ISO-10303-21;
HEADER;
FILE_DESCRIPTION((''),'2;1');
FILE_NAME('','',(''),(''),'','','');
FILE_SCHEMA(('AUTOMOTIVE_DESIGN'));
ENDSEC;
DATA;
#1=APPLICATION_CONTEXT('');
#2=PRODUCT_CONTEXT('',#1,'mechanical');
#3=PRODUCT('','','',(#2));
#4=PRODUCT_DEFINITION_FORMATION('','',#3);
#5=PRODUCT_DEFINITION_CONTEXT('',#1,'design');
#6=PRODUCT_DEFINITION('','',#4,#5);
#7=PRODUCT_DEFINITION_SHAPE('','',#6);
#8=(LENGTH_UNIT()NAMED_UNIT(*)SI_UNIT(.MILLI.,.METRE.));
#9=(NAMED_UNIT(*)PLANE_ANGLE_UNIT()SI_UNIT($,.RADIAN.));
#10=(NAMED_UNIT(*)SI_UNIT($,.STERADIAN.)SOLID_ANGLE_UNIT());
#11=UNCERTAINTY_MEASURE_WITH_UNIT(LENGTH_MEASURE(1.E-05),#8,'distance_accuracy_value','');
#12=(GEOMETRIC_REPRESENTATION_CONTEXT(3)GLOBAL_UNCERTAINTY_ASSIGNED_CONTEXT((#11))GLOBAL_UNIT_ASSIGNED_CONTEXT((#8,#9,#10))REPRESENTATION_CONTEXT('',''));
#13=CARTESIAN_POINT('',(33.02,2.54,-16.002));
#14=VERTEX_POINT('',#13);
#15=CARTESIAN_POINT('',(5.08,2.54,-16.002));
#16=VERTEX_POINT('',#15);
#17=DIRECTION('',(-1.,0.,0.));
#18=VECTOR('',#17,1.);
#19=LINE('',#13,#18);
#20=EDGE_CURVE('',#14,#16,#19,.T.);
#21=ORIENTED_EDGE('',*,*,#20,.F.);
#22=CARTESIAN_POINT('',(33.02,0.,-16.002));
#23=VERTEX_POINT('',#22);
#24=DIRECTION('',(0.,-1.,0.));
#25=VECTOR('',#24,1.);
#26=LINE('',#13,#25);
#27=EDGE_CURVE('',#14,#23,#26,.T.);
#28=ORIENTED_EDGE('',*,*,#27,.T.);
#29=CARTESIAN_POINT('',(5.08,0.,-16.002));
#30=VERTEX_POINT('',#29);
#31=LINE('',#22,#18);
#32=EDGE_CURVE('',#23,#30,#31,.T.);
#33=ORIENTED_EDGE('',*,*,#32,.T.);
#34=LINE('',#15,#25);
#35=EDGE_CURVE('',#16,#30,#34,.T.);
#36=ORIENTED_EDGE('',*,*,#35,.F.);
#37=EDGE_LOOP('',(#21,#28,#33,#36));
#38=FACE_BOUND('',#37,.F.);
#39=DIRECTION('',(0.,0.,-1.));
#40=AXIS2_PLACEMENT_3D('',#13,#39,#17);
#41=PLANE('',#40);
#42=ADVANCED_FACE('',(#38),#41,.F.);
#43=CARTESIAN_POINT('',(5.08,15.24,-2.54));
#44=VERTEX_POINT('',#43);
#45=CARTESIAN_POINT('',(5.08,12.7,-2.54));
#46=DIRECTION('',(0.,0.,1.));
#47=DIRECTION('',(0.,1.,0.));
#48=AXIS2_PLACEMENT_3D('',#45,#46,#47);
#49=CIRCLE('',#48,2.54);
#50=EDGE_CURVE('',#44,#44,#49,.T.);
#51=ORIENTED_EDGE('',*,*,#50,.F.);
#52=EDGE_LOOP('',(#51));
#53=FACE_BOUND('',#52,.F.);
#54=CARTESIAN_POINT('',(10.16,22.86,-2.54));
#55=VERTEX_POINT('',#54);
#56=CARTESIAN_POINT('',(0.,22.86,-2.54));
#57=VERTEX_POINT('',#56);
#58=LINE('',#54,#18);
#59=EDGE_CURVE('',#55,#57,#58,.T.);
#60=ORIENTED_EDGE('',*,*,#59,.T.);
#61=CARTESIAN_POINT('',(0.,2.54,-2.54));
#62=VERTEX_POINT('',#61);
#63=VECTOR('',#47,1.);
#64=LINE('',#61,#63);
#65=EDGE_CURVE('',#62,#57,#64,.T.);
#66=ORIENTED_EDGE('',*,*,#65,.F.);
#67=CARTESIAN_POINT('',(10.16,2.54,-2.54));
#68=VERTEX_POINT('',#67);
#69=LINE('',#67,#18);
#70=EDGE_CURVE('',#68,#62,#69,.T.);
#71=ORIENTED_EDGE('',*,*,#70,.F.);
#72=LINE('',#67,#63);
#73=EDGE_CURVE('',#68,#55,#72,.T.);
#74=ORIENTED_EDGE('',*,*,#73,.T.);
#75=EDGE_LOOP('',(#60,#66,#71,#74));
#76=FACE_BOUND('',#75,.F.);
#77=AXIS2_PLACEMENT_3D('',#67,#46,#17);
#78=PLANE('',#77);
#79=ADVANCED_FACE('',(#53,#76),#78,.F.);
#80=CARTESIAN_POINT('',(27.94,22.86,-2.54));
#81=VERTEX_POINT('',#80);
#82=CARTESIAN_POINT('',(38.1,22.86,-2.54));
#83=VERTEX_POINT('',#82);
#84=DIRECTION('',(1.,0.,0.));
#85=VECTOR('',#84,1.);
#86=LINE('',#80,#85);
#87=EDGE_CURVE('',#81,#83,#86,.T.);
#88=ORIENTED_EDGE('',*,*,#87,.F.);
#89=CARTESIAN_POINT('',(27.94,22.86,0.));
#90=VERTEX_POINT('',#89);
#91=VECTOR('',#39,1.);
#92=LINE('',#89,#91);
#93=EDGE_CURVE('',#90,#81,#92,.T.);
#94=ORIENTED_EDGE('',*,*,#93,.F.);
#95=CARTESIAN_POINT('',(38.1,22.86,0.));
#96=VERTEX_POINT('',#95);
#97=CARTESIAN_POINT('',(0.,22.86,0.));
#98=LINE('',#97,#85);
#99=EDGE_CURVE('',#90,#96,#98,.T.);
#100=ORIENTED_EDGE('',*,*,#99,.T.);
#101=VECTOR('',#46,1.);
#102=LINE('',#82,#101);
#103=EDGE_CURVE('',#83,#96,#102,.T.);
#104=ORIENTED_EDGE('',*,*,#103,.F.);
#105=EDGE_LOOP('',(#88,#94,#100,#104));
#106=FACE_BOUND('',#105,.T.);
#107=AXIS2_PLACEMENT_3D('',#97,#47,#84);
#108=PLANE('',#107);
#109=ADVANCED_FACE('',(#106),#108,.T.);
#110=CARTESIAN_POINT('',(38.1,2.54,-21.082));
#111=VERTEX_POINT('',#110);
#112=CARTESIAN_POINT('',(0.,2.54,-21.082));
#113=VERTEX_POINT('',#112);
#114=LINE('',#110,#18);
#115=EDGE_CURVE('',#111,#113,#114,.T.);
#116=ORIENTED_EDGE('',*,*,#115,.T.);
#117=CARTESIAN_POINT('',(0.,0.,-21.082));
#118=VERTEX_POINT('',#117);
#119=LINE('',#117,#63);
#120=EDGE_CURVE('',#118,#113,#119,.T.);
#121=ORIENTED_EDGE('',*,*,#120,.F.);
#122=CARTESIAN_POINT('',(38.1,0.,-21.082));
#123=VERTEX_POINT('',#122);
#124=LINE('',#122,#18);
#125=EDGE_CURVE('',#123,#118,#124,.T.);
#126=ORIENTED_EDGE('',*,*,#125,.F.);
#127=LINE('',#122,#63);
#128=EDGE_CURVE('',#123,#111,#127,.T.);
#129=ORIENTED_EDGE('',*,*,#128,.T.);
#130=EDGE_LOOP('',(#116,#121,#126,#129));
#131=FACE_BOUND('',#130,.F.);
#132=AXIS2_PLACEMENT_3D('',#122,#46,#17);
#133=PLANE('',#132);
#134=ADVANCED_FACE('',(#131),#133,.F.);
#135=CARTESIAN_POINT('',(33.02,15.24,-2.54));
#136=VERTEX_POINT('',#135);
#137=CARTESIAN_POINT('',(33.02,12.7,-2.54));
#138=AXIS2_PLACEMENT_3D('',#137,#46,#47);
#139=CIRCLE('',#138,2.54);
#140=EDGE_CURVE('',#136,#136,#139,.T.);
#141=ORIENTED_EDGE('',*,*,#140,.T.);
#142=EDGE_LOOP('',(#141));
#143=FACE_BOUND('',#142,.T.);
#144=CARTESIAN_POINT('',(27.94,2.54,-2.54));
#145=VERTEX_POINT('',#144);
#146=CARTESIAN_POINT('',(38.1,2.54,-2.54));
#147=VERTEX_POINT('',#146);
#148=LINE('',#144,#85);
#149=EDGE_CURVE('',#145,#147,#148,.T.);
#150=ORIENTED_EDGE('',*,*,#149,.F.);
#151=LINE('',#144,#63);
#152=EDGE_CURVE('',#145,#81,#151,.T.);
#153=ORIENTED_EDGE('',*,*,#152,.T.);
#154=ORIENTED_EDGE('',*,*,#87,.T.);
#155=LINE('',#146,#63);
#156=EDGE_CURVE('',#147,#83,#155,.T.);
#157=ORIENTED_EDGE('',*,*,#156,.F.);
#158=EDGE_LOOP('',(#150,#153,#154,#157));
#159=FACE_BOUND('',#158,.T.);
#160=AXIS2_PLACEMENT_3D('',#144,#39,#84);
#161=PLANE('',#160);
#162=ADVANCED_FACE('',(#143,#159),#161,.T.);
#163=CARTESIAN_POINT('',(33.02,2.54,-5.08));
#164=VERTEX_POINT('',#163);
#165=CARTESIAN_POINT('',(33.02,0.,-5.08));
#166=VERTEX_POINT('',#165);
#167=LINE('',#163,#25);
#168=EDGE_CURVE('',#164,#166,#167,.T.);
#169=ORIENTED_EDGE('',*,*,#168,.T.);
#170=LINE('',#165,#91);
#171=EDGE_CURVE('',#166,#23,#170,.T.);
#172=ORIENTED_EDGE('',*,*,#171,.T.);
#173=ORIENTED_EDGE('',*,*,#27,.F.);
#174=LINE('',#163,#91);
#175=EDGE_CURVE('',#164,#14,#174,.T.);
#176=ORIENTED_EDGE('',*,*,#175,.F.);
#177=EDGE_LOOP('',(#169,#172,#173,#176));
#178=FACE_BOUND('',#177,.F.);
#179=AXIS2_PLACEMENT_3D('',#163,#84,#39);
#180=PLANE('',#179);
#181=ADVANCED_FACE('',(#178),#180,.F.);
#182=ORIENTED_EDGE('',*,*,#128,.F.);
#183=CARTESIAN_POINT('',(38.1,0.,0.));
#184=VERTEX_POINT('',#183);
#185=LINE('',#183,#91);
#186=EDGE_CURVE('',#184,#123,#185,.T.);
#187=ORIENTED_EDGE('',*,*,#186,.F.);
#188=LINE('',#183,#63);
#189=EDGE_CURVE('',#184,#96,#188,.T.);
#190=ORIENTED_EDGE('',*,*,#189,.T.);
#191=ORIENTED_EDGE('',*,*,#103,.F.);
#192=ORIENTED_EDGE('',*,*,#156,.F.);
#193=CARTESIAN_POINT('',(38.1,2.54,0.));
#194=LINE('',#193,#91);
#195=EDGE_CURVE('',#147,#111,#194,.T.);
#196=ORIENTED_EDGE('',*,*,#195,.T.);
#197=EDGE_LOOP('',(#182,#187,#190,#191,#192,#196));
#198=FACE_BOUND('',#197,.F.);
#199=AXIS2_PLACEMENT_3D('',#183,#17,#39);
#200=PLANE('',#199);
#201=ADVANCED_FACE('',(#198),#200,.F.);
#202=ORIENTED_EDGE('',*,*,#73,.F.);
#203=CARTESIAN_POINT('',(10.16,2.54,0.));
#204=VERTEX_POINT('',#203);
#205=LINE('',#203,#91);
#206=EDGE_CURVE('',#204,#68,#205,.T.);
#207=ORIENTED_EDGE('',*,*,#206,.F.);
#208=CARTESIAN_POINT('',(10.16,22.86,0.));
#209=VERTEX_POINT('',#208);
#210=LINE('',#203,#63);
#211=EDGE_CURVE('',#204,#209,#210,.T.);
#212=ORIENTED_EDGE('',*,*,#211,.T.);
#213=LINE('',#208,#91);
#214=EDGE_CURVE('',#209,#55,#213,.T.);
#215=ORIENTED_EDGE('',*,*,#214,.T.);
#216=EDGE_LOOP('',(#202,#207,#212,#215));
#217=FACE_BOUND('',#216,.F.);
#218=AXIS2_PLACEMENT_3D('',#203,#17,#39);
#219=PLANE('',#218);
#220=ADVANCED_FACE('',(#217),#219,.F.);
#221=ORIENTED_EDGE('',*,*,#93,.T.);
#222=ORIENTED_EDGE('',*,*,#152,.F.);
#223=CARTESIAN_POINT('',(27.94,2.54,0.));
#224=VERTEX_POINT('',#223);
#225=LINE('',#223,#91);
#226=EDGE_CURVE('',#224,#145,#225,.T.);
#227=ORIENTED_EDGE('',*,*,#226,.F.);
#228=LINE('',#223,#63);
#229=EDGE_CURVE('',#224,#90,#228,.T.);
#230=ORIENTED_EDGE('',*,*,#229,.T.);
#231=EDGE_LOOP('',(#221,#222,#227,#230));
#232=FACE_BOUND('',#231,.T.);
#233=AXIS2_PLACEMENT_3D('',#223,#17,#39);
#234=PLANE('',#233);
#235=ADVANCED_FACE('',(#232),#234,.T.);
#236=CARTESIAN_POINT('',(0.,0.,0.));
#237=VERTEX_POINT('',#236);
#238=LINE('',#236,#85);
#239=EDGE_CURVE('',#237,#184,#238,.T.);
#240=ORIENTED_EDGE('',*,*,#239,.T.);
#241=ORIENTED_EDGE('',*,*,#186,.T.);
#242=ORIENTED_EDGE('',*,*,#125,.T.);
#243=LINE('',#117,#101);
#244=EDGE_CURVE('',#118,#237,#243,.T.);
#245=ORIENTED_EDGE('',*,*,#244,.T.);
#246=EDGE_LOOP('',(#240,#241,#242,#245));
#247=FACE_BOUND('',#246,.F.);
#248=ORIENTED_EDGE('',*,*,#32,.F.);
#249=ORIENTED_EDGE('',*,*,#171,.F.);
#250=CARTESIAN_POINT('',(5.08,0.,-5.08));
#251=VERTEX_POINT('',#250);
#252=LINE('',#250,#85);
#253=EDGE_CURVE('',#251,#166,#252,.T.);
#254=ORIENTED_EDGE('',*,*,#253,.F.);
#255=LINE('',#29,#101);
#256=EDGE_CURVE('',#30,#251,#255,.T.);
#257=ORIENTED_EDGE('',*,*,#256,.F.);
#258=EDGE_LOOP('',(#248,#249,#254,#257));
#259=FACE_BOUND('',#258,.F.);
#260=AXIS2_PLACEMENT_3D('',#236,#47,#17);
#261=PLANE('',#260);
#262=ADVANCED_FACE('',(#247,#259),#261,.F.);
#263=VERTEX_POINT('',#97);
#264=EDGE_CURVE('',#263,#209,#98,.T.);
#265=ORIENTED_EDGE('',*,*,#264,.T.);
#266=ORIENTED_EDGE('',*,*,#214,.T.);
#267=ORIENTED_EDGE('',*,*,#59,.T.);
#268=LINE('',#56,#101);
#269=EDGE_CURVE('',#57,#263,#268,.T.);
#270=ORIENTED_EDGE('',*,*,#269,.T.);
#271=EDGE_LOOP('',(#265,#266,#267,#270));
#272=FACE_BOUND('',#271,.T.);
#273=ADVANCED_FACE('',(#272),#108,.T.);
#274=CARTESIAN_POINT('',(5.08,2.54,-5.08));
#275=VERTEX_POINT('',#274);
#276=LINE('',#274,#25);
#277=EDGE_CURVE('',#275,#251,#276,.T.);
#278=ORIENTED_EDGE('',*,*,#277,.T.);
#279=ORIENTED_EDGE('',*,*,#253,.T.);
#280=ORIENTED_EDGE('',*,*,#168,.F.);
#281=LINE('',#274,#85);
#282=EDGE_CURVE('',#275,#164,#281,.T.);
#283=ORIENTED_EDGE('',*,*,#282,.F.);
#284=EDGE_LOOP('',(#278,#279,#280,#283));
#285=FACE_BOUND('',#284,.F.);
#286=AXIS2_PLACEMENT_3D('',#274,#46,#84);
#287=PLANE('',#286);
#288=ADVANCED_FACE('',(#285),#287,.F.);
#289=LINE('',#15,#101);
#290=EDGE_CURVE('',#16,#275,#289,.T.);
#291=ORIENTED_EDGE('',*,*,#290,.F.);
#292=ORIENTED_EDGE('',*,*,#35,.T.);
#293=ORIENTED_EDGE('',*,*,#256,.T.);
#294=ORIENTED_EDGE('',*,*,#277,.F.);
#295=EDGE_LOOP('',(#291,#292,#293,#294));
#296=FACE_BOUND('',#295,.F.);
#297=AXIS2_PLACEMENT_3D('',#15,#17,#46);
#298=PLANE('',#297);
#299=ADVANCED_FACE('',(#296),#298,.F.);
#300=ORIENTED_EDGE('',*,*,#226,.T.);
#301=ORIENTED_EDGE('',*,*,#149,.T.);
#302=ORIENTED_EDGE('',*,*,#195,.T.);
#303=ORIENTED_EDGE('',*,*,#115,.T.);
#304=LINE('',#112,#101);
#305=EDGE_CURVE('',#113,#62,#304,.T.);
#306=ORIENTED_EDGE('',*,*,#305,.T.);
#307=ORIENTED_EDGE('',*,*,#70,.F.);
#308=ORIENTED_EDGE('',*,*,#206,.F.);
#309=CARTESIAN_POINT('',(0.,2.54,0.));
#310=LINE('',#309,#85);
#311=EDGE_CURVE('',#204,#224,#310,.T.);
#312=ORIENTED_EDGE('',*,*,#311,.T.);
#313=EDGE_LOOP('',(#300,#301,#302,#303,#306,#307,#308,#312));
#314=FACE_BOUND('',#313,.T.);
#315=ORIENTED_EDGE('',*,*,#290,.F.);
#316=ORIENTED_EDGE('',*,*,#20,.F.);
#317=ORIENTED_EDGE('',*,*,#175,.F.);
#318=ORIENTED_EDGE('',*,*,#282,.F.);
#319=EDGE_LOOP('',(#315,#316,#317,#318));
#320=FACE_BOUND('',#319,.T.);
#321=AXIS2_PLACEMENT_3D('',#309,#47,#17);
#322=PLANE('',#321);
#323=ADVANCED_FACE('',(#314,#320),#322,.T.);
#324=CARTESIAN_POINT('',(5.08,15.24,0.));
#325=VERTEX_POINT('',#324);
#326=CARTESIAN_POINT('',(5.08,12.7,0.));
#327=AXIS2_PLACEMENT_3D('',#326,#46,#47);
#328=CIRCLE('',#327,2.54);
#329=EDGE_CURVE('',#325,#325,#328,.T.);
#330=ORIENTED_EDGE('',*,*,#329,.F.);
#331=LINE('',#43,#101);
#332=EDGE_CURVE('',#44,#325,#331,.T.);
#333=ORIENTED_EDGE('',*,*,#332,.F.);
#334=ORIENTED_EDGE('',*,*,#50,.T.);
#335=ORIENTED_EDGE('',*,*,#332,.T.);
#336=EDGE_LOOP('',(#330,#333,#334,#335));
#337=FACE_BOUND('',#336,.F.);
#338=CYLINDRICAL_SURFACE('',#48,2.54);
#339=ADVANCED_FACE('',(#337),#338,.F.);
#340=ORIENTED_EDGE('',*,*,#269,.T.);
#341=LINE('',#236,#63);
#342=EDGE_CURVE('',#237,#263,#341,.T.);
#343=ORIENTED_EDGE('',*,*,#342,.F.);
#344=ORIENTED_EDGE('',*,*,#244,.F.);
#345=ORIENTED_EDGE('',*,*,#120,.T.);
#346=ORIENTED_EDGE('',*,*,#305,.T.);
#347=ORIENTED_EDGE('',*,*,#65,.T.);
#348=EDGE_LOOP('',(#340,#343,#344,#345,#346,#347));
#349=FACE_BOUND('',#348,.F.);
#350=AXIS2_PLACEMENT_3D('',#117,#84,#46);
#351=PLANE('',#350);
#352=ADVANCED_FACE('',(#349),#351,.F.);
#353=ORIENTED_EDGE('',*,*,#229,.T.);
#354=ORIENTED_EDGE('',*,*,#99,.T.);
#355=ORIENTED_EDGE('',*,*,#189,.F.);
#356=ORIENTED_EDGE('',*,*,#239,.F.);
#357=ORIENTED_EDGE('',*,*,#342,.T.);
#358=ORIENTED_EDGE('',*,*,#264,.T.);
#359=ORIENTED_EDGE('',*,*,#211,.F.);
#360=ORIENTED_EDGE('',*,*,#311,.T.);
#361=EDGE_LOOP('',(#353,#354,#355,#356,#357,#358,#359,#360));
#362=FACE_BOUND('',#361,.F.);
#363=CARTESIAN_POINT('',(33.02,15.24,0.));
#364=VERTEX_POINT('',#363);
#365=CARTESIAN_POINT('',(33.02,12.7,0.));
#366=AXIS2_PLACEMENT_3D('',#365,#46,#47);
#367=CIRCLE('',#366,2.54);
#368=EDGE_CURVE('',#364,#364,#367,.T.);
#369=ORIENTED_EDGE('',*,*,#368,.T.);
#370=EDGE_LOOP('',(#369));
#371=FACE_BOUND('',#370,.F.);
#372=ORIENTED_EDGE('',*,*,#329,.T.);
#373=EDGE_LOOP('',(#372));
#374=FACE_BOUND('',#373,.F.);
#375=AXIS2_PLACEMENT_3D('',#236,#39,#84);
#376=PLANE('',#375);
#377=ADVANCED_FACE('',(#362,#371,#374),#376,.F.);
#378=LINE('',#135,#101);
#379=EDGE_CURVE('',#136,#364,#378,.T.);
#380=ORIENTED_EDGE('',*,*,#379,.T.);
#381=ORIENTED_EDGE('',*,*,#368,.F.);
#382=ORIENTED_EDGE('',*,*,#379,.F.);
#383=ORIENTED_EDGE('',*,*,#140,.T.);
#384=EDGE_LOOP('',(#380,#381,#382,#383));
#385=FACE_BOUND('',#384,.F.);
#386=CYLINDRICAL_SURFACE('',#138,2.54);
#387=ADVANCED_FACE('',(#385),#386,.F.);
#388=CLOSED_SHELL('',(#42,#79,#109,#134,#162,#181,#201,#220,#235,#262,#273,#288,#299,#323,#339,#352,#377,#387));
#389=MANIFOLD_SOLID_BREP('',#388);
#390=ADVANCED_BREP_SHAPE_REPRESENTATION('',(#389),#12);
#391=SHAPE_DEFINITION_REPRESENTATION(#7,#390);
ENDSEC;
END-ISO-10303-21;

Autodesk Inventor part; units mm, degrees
ref_plane "YZ Plane" through (0, 0, 0) normal (1, 0, 0) x (0, 1, 0)
ref_plane "XZ Plane" through (0, 0, 0) normal (0, 1, 0) x (-1, 0, 0)
ref_plane "XY Plane" through (0, 0, 0) normal (0, 0, 1) x (1, 0, 0)
sketch "Sketch1" plane through (0, 0, 0) normal (0, 1, 0) x (-1, 0, 0)
  point P0 (0, 0)
sketch "Sketch2" plane through (0, 0, 0) normal (0, 1, 0) x (-1, 0, 0)
  line L0 (0, 0) -> (-38.1, 0)
  line L1 (-38.1, 0) -> (-38.1, -21.082)
  line L2 (-38.1, -21.082) -> (0, -21.082)
  line L3 (0, -21.082) -> (0, 0)
  dimension "d0" = 38.1
  dimension "d1" = 21.082
extrude "Extrusion1" add sketch "Sketch2" along normal blind 2.54
sketch "Sketch3" plane through (0, 2.54, 0) normal (0, 1, 0) x (1, 0, 0)
  line L0 (0, 0) -> (5.08, 0)
  line L1 (5.08, 0) -> (5.08, 5.08)
  line L2 (5.08, 5.08) -> (0, 5.08)
  line L3 (0, 5.08) -> (0, 0)
  line L4 (38.1, 0) -> (38.1, 21.082) projected
  line L5 (38.1, 21.082) -> (33.02, 21.082)
  line L6 (33.02, 21.082) -> (33.02, 16.002)
  line L7 (33.02, 16.002) -> (38.1, 16.002)
  line L8 (38.1, 16.002) -> (38.1, 21.082)
  line L9 (5.08, 5.08) -> (33.02, 5.08)
  line L10 (33.02, 5.08) -> (33.02, 16.002)
  line L11 (33.02, 16.002) -> (5.08, 16.002)
  line L12 (5.08, 16.002) -> (5.08, 5.08)
  dimension "d4" = 5.08
  dimension "d5" = 5.08
  dimension "d6" = 5.08
  dimension "d7" = 5.08
extrude "Extrusion2" cut sketch "Sketch3" against normal blind 2.54 contours L12 L11 L10 L9
sketch "Sketch4" plane through (0, 2.54, 0) normal (0, 1, 0) x (1, 0, 0)
  line L0 (0, 0) -> (38.1, 0) projected
  line L1 (0, 0) -> (10.16, 0)
  line L2 (10.16, 0) -> (10.16, 2.54)
  line L3 (10.16, 2.54) -> (0, 2.54)
  line L4 (0, 2.54) -> (0, 0)
  line L5 (38.1, 0) -> (27.94, 0)
  line L6 (27.94, 0) -> (27.94, 2.54)
  line L7 (27.94, 2.54) -> (38.1, 2.54)
  line L8 (38.1, 2.54) -> (38.1, 0)
  dimension "d10" = 10.16
  dimension "d11" = 2.54
  dimension "d12" = 10.16
  dimension "d13" = 2.54
extrude "Extrusion3" add sketch "Sketch4" along normal blind 20.32
sketch "Sketch5" plane through (10.16, 2.54, -2.54) normal (0, 0, -1) x (-1, 0, 0)
  line L0 (10.16, 20.32) -> (0, 20.32) projected
  line L1 (5.08, 20.32) -> (5.08, 10.16)
  point P0 (10.16, -2.54)
  dimension "d16" = 10.16
hole "Hole1" at (5.08, 12.7, -2.54) direction (0, 0, 1) diameter 5.08 end through all
sketch "Sketch6" plane through (38.1, 2.54, -2.54) normal (0, 0, -1) x (-1, 0, 0)
  line L0 (10.16, 20.32) -> (0, 20.32) projected
  line L1 (5.08, 20.32) -> (5.08, 10.16)
  point P0 (38.1, -2.54)
  dimension "d24" = 10.16
hole "Hole2" at (33.02, 12.7, -2.54) direction (0, 0, 1) diameter 5.08 end through all
properties part number "Actobotics Power Switch Mount"
